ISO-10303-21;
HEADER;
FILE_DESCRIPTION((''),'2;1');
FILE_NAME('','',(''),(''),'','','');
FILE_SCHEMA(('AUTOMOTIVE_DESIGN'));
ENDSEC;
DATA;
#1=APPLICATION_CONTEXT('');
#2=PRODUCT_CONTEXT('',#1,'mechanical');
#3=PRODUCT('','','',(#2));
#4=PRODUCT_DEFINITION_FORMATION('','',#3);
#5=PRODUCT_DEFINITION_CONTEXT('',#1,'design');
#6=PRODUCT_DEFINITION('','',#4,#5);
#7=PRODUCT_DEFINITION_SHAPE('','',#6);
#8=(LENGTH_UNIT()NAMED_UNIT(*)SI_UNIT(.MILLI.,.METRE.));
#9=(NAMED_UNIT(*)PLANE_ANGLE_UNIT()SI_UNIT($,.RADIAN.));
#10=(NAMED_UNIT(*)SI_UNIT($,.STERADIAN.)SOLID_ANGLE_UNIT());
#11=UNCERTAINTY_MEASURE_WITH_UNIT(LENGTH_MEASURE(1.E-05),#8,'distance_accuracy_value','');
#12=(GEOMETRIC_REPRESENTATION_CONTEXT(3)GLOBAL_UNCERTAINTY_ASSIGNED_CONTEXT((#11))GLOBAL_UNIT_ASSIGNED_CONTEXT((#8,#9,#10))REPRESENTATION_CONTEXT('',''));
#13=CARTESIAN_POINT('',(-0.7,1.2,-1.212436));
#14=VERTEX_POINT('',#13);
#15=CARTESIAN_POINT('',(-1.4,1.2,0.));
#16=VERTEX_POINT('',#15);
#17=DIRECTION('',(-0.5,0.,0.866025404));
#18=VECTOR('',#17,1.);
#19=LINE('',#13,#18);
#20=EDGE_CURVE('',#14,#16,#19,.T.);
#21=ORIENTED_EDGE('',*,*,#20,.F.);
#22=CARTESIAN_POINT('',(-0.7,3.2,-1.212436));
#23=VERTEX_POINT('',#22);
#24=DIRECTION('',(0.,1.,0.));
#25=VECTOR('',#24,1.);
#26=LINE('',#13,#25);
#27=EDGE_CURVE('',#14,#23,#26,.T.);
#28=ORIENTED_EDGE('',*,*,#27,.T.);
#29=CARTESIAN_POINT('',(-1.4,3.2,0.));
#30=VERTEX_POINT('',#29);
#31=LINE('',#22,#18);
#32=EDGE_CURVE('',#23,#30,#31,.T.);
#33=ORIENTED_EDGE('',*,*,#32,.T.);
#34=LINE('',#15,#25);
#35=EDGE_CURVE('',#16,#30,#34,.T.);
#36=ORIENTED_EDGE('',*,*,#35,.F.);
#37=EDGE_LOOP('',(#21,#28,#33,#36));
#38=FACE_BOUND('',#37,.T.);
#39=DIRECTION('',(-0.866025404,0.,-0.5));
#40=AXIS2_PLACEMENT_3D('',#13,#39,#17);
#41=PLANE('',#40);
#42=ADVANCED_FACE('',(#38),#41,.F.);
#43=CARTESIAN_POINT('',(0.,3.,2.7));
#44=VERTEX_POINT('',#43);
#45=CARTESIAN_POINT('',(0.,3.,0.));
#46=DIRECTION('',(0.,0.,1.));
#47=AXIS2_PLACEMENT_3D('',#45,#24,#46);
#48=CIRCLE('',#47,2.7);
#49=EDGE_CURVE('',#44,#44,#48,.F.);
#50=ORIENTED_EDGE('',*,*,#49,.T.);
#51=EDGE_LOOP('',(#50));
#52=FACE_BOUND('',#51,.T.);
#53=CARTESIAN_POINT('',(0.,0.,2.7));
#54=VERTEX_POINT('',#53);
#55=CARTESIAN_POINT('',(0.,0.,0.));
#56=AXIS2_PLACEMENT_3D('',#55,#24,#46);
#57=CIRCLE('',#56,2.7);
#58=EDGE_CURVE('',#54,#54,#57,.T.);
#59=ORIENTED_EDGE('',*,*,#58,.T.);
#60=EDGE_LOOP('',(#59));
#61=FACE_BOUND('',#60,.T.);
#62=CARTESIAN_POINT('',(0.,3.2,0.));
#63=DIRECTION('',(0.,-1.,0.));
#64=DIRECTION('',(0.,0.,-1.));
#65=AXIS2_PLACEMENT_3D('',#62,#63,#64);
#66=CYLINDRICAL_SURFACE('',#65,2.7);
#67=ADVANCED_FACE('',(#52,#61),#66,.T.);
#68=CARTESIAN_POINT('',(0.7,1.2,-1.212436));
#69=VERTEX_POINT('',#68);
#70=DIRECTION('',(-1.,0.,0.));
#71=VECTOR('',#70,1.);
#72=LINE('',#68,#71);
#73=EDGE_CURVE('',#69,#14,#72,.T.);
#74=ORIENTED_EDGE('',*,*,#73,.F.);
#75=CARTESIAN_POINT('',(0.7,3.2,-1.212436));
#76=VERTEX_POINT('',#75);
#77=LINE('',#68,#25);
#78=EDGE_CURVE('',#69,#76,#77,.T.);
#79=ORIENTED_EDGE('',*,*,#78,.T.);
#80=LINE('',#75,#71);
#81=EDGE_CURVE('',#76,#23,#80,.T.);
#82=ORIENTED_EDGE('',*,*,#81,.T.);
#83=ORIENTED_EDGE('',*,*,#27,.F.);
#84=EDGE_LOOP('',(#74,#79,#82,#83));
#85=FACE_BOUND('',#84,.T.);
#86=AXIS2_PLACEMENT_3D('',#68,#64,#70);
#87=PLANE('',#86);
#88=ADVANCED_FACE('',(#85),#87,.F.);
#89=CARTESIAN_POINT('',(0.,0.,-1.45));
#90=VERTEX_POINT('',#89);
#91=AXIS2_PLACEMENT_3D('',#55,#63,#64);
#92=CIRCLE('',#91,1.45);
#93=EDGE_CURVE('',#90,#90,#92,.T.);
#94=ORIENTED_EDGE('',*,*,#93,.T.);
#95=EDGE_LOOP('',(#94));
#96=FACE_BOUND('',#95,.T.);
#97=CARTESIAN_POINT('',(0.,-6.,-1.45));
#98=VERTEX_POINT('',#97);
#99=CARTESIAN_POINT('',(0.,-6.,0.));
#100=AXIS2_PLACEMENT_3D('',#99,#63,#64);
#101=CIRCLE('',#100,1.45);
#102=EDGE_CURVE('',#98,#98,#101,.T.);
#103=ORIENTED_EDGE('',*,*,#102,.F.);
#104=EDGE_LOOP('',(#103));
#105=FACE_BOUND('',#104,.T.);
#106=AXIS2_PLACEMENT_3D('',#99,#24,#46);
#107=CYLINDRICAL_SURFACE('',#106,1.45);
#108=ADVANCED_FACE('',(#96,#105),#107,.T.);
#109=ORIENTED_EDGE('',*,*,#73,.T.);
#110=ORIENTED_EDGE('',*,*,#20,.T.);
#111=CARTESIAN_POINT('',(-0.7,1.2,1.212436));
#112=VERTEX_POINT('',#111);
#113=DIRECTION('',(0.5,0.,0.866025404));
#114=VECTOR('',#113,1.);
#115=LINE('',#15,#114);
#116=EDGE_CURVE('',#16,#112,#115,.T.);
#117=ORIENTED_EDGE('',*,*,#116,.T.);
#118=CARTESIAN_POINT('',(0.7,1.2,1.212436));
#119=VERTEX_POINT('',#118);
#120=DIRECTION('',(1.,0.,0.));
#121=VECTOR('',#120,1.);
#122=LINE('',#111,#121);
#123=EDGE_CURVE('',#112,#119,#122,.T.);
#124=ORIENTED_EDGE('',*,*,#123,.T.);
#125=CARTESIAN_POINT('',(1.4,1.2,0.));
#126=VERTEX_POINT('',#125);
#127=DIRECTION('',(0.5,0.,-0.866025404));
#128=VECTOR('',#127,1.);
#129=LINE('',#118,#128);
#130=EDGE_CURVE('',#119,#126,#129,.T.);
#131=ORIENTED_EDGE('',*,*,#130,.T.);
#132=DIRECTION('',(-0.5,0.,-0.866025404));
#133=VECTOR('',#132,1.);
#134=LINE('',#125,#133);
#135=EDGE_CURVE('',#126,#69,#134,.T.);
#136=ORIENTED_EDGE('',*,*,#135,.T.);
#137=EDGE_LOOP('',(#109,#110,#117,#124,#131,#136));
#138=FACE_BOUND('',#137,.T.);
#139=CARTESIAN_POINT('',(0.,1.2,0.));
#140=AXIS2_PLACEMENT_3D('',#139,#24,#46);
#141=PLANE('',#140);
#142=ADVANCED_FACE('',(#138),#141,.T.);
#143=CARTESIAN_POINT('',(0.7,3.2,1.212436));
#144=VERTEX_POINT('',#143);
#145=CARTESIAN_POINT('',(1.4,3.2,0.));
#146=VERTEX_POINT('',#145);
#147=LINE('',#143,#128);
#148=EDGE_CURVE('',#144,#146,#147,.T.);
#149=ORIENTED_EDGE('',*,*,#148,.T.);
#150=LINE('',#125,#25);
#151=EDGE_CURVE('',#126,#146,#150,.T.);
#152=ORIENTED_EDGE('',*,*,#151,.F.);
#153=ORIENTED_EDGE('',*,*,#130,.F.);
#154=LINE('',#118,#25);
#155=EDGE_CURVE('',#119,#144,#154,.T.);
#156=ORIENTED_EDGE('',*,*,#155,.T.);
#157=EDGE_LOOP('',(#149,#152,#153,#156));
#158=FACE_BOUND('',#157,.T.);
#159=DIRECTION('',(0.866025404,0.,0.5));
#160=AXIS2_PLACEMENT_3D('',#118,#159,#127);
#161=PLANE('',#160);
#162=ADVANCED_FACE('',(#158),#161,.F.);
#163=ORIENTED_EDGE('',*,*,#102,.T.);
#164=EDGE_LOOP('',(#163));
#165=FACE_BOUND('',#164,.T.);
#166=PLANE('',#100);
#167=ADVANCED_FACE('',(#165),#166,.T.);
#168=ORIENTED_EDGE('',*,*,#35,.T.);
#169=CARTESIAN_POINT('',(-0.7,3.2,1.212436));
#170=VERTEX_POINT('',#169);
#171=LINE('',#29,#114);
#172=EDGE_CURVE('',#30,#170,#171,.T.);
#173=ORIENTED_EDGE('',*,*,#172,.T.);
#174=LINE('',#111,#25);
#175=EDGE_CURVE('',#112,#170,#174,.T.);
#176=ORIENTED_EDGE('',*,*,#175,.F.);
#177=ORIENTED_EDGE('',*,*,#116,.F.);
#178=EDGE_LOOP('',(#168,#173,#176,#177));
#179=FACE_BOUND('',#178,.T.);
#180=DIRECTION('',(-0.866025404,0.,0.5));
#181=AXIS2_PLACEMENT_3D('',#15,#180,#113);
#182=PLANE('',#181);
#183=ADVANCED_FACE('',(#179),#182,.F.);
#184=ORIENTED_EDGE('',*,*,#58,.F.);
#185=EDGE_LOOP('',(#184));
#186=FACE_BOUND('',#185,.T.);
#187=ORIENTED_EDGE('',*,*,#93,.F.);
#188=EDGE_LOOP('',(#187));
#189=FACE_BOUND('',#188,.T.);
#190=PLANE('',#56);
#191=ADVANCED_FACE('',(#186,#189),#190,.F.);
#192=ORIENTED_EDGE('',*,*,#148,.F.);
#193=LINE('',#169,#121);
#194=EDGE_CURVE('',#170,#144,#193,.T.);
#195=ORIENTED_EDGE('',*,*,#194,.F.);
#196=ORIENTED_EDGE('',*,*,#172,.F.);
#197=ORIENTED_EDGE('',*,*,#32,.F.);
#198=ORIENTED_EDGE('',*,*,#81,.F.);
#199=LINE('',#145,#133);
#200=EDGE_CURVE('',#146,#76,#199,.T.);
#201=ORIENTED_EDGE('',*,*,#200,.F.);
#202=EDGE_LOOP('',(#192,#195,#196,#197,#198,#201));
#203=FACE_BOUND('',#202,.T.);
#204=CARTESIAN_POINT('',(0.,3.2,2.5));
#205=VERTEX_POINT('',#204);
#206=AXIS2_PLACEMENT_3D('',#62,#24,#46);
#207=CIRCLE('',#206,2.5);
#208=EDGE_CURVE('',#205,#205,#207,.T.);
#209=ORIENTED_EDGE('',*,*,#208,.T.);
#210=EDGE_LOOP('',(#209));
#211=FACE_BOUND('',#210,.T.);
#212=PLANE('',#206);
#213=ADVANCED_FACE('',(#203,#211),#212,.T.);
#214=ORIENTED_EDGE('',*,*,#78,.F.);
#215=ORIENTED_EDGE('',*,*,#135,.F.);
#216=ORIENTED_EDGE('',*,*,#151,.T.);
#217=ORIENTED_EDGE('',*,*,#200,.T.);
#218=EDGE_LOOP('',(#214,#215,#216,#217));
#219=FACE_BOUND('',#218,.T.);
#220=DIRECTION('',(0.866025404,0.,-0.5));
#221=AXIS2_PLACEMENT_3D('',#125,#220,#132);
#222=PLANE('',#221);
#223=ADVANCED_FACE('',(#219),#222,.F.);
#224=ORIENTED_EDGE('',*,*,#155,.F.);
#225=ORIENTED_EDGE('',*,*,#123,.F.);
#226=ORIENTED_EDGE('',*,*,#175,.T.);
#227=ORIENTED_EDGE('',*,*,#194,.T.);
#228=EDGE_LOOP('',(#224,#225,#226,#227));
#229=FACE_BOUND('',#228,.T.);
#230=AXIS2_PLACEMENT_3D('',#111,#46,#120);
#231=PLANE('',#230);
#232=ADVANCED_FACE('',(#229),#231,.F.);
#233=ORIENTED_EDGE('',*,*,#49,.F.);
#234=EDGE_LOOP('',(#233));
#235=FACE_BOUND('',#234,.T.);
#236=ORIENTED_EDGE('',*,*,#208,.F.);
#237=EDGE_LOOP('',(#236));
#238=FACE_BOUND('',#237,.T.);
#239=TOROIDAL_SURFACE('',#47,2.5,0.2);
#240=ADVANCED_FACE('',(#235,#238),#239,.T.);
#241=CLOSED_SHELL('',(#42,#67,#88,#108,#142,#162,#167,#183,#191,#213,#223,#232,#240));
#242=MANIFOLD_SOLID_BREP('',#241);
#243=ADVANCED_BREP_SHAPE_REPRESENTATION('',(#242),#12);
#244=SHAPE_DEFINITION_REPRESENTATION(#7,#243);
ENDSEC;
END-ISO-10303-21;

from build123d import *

# Parameters (mm, degrees)
SKETCH1_R           = 2.7
BOSS_EXTRUDE1_DEPTH = 3.2
CUT_EXTRUDE1_DEPTH  = 2
FILLET1_R           = 0.2
SKETCH3_R           = 1.45
BOSS_EXTRUDE3_DEPTH = 6


with BuildPart() as part:
    # Sketch1 → Boss-Extrude1 (new body)
    with BuildSketch(Plane(origin=(0, 0, 0), x_dir=(1, 0, 0), z_dir=(0, 1, 0))):
        with Locations(Location((0, 0, 0), (0, 0, 270))):
            Circle(SKETCH1_R)
    extrude(amount=BOSS_EXTRUDE1_DEPTH)

    # Sketch2 → Cut-Extrude1 (cut)
    with BuildSketch(Plane(origin=(0, 3.2, 0), x_dir=(1, 0, 0), z_dir=(0, 1, 0))):
        Polygon((1.4, 0), (0.7, 1.212435565), (-0.7, 1.212435565), (-1.4, 0), (-0.7, -1.212435565), (0.7, -1.212435565), align=None)
    extrude(amount=-CUT_EXTRUDE1_DEPTH, mode=Mode.SUBTRACT)

    # Fillet1
    fillet1_edges = [part.edges().sort_by_distance(p)[0] for p in [
        (0, 3.2, -2.7),
    ]]
    fillet(fillet1_edges, radius=FILLET1_R)

    # Sketch3 → Boss-Extrude3 (add)
    with BuildSketch(Plane.XZ):
        with Locations(Location((0, 0, 0), (0, 0, 270))):
            Circle(SKETCH3_R)
    extrude(amount=BOSS_EXTRUDE3_DEPTH)


solid = part.part
